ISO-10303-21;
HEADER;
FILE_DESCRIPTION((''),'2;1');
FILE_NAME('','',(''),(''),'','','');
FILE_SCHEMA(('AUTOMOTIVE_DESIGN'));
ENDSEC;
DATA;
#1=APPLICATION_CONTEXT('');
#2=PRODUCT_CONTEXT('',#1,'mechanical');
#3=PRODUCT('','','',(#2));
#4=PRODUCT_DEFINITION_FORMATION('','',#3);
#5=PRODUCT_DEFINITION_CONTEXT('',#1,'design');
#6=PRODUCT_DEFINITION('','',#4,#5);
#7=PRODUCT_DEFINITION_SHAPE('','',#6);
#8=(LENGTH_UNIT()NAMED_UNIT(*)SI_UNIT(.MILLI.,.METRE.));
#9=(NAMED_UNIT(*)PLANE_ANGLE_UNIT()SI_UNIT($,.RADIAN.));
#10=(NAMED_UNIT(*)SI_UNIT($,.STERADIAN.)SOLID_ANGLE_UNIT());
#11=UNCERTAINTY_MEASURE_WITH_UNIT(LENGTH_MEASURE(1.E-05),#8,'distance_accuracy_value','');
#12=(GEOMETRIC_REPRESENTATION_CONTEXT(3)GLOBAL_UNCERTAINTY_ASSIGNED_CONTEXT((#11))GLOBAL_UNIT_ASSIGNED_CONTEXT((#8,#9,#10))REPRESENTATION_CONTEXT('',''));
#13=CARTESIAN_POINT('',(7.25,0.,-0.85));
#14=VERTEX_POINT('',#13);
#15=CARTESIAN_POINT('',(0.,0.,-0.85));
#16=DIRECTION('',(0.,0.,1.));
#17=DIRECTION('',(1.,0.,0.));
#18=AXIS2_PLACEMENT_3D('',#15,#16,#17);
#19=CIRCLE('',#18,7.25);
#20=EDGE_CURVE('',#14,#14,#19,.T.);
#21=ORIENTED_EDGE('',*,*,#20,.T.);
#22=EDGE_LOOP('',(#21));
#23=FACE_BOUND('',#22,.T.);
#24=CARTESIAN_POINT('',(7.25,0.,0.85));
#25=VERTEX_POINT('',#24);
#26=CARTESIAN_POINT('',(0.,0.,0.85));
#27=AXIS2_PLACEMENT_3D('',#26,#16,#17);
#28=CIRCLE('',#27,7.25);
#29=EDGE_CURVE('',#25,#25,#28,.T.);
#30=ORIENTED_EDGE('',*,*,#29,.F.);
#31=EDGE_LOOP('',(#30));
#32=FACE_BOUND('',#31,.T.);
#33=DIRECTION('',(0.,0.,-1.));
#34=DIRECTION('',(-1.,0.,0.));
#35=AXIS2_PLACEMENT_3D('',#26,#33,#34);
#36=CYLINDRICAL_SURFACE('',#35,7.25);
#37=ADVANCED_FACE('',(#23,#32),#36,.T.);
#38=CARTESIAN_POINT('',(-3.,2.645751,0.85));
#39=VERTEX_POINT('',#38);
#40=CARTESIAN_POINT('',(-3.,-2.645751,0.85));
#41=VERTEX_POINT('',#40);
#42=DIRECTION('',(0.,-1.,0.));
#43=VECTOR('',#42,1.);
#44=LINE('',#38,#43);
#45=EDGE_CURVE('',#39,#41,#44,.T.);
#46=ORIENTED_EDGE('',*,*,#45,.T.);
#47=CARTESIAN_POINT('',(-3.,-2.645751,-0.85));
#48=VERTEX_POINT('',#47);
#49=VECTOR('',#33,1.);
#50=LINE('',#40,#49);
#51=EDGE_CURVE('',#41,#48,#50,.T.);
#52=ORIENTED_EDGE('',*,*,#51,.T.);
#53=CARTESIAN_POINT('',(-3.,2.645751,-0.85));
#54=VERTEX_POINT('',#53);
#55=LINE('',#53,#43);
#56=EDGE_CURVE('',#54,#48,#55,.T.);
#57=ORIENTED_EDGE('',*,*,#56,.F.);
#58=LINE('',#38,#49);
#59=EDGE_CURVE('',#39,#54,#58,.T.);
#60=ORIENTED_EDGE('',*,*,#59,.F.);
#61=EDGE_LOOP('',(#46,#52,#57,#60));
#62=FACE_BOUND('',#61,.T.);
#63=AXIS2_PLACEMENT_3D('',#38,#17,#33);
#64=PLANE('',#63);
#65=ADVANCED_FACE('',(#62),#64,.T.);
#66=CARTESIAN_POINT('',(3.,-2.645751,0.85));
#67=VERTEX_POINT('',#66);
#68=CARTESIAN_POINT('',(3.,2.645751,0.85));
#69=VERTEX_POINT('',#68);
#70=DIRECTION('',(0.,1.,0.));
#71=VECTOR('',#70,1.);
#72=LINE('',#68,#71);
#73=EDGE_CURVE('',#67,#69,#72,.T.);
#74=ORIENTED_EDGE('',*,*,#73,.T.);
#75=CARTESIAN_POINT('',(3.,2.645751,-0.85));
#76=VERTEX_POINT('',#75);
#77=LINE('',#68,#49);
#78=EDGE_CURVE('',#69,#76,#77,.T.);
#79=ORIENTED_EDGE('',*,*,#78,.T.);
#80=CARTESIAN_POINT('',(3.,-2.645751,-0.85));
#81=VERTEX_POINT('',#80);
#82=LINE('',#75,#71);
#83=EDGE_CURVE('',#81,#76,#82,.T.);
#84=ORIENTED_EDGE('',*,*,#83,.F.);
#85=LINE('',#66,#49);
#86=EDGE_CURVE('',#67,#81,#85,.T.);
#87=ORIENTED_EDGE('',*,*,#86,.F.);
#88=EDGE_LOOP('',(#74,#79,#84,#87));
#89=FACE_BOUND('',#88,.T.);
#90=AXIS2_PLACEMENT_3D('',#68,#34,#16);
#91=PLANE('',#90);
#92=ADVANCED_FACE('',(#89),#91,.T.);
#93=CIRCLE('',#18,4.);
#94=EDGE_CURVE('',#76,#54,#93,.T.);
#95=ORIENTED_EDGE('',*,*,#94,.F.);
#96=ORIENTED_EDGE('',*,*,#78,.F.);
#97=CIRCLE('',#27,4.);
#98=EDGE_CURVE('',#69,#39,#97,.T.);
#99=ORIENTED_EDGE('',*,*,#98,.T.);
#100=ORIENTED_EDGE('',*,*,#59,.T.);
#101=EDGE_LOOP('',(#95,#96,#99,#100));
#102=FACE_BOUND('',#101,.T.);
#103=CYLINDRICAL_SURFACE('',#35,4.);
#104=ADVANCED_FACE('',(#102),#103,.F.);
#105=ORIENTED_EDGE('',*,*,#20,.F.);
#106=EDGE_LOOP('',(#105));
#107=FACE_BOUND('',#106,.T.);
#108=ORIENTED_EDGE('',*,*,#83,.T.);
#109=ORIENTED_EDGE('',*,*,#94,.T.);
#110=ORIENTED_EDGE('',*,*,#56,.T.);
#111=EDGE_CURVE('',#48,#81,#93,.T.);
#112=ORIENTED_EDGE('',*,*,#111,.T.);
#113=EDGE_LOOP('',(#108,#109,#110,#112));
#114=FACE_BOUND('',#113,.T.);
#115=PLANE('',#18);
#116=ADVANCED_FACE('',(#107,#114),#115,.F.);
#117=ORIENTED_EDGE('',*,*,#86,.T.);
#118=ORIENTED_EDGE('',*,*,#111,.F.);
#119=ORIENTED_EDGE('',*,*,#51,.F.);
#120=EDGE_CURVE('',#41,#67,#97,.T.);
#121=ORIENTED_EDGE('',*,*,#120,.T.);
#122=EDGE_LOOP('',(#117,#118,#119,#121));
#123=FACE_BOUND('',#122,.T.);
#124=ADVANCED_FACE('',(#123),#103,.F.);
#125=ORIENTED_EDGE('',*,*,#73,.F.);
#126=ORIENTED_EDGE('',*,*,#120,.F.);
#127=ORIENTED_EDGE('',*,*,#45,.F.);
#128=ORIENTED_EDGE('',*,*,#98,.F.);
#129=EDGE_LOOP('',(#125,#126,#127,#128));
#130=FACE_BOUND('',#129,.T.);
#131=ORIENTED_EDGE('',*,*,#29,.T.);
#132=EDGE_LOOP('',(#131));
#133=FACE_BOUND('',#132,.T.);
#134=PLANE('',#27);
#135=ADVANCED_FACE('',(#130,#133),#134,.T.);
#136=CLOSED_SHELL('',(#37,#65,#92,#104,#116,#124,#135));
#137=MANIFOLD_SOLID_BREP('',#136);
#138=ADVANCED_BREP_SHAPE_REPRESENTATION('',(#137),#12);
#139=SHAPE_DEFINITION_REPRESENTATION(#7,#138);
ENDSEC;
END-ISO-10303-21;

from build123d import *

# Parameters (mm, degrees)
ESQUISSE1_R      = 7.25
EXTRUSION1_DEPTH = 0.85


with BuildPart() as part:
    # Esquisse1 → Extrusion1 (new body, symmetric)
    with BuildSketch(Plane.XY):
        Circle(ESQUISSE1_R)
        with BuildLine():
            Line((-3, 2.645751311), (-3, -2.645751311))
            ThreePointArc((-3, -2.645751311), (0, -4), (3, -2.645751311))
            Line((3, -2.645751311), (3, 2.645751311))
            ThreePointArc((3, 2.645751311), (0, 4), (-3, 2.645751311))
        make_face(mode=Mode.SUBTRACT)
    extrude(amount=EXTRUSION1_DEPTH, both=True)


solid = part.part
